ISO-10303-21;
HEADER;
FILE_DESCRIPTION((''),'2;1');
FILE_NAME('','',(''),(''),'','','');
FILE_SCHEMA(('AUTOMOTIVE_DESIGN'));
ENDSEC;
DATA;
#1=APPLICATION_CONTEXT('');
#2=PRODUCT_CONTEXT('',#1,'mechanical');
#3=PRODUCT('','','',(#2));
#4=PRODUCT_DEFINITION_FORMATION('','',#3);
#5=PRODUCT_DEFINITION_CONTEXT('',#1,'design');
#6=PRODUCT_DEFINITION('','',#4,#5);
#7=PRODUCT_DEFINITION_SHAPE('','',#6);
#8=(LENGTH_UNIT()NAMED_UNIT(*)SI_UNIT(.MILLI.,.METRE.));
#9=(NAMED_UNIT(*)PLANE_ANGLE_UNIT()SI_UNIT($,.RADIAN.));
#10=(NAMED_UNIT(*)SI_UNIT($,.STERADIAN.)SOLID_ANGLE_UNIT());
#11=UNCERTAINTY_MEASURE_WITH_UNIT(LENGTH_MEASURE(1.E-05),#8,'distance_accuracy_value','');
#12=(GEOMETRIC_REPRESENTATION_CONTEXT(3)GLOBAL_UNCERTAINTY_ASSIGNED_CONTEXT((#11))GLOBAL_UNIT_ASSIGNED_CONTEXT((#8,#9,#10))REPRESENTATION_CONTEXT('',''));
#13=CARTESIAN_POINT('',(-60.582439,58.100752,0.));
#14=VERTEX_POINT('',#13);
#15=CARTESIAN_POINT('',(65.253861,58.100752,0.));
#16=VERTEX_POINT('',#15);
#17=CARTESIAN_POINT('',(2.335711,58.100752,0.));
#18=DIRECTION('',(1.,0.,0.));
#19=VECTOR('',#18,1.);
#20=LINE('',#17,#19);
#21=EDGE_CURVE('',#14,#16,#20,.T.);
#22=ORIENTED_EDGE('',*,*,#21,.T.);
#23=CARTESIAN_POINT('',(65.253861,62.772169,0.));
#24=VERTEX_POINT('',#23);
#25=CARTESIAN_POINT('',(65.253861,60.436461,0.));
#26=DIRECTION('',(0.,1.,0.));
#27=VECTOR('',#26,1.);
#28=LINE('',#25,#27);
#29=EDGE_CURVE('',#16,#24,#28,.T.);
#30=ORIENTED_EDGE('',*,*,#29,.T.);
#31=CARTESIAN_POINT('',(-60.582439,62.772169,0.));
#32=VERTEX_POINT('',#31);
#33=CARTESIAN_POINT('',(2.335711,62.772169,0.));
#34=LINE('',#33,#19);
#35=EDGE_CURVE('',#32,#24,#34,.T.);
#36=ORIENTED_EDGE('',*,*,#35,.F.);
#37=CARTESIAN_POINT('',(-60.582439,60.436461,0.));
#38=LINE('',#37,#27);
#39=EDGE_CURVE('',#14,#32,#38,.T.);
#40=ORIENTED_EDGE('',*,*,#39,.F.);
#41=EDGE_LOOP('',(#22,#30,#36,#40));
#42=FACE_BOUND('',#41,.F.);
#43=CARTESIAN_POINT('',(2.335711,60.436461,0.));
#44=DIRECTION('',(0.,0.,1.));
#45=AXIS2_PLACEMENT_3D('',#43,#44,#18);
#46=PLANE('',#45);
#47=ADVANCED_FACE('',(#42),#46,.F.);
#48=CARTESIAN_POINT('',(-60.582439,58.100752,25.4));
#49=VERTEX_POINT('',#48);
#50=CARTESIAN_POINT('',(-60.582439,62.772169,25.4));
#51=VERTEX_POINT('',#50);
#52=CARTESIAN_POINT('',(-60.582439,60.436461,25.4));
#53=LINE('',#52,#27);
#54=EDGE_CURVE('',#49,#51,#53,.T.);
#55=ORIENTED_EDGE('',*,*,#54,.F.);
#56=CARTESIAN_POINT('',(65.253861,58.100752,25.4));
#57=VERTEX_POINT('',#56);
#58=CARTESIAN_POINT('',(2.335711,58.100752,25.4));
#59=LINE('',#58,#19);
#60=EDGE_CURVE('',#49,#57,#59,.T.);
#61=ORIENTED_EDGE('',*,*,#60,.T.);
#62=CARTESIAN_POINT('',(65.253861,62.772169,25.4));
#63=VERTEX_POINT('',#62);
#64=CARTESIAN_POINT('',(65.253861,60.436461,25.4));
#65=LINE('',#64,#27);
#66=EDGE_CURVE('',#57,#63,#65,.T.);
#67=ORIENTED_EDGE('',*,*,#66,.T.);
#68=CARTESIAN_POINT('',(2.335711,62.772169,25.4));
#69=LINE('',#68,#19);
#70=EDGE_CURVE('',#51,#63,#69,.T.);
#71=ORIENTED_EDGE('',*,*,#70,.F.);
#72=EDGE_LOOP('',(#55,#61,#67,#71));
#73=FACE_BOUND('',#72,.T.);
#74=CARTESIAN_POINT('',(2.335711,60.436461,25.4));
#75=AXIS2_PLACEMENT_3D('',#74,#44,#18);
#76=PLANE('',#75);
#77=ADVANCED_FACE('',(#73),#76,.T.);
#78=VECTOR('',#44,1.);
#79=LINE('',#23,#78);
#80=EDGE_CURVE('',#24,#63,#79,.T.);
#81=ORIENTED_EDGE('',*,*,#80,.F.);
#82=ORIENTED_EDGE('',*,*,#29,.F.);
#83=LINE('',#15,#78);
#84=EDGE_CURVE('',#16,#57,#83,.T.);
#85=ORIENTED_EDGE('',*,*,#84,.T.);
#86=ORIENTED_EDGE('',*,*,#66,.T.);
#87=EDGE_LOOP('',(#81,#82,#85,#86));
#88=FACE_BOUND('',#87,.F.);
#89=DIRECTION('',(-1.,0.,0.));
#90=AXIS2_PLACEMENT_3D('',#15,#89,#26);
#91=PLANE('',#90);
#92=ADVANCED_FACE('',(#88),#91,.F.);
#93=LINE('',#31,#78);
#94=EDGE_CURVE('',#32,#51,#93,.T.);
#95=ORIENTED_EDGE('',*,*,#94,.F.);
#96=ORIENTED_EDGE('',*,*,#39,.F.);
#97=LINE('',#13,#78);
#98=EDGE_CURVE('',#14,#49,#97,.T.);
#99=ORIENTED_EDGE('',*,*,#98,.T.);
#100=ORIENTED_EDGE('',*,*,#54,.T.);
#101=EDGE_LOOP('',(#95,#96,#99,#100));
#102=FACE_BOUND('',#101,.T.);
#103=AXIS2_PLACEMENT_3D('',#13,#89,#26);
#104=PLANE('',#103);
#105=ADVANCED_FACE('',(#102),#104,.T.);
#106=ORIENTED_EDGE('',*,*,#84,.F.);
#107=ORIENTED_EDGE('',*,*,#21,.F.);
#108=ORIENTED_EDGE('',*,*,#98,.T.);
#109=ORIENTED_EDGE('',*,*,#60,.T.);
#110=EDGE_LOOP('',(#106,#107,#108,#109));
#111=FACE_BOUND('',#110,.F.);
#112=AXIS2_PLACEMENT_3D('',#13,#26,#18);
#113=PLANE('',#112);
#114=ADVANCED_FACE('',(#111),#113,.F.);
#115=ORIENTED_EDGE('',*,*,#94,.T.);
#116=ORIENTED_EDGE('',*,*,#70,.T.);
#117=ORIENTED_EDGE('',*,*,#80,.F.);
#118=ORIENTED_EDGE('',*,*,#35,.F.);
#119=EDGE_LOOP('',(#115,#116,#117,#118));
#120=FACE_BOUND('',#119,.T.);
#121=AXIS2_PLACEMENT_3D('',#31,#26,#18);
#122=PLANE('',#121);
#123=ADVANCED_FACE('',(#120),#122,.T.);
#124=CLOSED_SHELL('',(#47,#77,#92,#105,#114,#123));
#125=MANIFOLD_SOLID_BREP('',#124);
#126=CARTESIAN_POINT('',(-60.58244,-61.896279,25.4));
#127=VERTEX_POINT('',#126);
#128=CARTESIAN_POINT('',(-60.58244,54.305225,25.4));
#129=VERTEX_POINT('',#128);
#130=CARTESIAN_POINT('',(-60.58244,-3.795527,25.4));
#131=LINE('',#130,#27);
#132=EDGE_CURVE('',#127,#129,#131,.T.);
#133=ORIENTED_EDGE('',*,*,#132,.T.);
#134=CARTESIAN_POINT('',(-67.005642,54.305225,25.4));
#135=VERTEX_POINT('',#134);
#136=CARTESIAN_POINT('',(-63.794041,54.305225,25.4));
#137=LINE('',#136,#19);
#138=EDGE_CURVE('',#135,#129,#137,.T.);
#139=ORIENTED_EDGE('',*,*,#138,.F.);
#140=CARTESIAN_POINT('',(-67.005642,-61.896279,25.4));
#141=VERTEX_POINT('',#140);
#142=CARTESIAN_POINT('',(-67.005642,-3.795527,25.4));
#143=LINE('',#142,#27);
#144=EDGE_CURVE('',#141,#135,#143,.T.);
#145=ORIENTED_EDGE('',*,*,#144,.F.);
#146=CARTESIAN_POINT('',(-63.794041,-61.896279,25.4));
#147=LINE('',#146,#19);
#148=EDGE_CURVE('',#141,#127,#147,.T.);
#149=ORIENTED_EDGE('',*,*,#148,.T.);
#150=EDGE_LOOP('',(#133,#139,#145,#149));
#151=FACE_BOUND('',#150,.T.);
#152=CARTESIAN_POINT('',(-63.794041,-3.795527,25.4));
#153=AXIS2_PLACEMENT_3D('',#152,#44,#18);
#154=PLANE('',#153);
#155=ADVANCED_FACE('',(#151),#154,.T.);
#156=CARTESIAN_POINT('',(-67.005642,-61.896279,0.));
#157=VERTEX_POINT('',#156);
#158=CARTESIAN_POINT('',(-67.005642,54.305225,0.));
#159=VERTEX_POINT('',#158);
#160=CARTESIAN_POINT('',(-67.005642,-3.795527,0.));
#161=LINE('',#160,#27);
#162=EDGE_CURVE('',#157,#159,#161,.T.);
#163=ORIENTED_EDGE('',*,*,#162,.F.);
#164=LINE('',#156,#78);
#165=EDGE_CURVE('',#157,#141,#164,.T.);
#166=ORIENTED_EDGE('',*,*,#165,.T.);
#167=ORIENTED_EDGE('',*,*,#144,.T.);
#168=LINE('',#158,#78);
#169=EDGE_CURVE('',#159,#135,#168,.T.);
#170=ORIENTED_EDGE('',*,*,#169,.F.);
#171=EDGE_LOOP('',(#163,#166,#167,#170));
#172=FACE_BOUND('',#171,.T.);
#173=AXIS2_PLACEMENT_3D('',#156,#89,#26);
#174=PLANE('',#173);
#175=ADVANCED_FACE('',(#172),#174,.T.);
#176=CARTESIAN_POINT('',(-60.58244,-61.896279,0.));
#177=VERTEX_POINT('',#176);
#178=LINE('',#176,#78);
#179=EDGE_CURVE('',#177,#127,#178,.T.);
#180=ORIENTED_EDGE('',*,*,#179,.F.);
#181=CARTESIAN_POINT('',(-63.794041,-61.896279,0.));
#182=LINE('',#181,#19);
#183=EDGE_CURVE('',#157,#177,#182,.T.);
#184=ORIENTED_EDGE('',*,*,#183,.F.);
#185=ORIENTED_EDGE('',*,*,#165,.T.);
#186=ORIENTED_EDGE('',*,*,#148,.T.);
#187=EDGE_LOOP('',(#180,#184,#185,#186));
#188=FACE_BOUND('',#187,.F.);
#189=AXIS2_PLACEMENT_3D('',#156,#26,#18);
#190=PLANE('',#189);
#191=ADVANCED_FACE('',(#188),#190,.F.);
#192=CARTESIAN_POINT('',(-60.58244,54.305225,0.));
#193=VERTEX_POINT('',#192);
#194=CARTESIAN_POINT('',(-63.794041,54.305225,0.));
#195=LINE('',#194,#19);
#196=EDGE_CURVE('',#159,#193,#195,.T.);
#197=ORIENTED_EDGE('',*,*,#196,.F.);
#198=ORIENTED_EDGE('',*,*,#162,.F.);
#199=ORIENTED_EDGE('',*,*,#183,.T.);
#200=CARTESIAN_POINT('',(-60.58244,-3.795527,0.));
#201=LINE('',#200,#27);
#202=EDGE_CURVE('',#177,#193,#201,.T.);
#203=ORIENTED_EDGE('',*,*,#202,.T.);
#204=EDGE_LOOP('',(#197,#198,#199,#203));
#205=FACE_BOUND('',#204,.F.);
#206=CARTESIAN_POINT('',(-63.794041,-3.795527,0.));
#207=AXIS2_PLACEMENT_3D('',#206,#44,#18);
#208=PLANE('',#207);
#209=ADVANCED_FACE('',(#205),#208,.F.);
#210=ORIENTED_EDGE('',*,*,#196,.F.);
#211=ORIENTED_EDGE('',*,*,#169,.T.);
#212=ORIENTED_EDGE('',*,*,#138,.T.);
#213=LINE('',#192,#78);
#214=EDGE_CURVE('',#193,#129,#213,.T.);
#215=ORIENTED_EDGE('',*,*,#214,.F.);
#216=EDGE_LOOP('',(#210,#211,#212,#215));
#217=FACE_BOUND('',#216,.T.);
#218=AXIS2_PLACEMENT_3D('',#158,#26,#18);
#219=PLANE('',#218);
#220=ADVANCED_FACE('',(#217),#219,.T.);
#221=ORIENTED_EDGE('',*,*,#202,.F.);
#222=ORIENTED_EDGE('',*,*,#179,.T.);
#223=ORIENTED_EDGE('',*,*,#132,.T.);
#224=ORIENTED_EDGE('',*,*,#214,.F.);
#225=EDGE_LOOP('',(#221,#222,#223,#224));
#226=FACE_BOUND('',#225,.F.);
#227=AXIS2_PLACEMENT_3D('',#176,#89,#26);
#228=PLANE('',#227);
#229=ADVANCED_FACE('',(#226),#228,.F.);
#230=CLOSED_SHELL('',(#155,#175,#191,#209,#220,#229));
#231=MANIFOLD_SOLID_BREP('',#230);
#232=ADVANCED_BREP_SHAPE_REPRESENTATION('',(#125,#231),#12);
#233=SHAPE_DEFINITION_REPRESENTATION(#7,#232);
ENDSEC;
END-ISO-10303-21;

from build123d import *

# Parameters (mm, degrees)
F0_W     = 6.423202
F0_H     = 116.201505
F0_W_2   = 125.836301
F0_H_2   = 4.671417
F1_DEPTH = 25.4


with BuildPart() as f1:
    # F0 (on Top) → F1 (new body)
    with BuildSketch(Plane.XY):
        with Locations((-63.794041, -3.795527)):
            Rectangle(F0_W, F0_H)
        with Locations((2.335711, 60.436461)):
            Rectangle(F0_W_2, F0_H_2)
    extrude(amount=F1_DEPTH)


solid = f1.part
